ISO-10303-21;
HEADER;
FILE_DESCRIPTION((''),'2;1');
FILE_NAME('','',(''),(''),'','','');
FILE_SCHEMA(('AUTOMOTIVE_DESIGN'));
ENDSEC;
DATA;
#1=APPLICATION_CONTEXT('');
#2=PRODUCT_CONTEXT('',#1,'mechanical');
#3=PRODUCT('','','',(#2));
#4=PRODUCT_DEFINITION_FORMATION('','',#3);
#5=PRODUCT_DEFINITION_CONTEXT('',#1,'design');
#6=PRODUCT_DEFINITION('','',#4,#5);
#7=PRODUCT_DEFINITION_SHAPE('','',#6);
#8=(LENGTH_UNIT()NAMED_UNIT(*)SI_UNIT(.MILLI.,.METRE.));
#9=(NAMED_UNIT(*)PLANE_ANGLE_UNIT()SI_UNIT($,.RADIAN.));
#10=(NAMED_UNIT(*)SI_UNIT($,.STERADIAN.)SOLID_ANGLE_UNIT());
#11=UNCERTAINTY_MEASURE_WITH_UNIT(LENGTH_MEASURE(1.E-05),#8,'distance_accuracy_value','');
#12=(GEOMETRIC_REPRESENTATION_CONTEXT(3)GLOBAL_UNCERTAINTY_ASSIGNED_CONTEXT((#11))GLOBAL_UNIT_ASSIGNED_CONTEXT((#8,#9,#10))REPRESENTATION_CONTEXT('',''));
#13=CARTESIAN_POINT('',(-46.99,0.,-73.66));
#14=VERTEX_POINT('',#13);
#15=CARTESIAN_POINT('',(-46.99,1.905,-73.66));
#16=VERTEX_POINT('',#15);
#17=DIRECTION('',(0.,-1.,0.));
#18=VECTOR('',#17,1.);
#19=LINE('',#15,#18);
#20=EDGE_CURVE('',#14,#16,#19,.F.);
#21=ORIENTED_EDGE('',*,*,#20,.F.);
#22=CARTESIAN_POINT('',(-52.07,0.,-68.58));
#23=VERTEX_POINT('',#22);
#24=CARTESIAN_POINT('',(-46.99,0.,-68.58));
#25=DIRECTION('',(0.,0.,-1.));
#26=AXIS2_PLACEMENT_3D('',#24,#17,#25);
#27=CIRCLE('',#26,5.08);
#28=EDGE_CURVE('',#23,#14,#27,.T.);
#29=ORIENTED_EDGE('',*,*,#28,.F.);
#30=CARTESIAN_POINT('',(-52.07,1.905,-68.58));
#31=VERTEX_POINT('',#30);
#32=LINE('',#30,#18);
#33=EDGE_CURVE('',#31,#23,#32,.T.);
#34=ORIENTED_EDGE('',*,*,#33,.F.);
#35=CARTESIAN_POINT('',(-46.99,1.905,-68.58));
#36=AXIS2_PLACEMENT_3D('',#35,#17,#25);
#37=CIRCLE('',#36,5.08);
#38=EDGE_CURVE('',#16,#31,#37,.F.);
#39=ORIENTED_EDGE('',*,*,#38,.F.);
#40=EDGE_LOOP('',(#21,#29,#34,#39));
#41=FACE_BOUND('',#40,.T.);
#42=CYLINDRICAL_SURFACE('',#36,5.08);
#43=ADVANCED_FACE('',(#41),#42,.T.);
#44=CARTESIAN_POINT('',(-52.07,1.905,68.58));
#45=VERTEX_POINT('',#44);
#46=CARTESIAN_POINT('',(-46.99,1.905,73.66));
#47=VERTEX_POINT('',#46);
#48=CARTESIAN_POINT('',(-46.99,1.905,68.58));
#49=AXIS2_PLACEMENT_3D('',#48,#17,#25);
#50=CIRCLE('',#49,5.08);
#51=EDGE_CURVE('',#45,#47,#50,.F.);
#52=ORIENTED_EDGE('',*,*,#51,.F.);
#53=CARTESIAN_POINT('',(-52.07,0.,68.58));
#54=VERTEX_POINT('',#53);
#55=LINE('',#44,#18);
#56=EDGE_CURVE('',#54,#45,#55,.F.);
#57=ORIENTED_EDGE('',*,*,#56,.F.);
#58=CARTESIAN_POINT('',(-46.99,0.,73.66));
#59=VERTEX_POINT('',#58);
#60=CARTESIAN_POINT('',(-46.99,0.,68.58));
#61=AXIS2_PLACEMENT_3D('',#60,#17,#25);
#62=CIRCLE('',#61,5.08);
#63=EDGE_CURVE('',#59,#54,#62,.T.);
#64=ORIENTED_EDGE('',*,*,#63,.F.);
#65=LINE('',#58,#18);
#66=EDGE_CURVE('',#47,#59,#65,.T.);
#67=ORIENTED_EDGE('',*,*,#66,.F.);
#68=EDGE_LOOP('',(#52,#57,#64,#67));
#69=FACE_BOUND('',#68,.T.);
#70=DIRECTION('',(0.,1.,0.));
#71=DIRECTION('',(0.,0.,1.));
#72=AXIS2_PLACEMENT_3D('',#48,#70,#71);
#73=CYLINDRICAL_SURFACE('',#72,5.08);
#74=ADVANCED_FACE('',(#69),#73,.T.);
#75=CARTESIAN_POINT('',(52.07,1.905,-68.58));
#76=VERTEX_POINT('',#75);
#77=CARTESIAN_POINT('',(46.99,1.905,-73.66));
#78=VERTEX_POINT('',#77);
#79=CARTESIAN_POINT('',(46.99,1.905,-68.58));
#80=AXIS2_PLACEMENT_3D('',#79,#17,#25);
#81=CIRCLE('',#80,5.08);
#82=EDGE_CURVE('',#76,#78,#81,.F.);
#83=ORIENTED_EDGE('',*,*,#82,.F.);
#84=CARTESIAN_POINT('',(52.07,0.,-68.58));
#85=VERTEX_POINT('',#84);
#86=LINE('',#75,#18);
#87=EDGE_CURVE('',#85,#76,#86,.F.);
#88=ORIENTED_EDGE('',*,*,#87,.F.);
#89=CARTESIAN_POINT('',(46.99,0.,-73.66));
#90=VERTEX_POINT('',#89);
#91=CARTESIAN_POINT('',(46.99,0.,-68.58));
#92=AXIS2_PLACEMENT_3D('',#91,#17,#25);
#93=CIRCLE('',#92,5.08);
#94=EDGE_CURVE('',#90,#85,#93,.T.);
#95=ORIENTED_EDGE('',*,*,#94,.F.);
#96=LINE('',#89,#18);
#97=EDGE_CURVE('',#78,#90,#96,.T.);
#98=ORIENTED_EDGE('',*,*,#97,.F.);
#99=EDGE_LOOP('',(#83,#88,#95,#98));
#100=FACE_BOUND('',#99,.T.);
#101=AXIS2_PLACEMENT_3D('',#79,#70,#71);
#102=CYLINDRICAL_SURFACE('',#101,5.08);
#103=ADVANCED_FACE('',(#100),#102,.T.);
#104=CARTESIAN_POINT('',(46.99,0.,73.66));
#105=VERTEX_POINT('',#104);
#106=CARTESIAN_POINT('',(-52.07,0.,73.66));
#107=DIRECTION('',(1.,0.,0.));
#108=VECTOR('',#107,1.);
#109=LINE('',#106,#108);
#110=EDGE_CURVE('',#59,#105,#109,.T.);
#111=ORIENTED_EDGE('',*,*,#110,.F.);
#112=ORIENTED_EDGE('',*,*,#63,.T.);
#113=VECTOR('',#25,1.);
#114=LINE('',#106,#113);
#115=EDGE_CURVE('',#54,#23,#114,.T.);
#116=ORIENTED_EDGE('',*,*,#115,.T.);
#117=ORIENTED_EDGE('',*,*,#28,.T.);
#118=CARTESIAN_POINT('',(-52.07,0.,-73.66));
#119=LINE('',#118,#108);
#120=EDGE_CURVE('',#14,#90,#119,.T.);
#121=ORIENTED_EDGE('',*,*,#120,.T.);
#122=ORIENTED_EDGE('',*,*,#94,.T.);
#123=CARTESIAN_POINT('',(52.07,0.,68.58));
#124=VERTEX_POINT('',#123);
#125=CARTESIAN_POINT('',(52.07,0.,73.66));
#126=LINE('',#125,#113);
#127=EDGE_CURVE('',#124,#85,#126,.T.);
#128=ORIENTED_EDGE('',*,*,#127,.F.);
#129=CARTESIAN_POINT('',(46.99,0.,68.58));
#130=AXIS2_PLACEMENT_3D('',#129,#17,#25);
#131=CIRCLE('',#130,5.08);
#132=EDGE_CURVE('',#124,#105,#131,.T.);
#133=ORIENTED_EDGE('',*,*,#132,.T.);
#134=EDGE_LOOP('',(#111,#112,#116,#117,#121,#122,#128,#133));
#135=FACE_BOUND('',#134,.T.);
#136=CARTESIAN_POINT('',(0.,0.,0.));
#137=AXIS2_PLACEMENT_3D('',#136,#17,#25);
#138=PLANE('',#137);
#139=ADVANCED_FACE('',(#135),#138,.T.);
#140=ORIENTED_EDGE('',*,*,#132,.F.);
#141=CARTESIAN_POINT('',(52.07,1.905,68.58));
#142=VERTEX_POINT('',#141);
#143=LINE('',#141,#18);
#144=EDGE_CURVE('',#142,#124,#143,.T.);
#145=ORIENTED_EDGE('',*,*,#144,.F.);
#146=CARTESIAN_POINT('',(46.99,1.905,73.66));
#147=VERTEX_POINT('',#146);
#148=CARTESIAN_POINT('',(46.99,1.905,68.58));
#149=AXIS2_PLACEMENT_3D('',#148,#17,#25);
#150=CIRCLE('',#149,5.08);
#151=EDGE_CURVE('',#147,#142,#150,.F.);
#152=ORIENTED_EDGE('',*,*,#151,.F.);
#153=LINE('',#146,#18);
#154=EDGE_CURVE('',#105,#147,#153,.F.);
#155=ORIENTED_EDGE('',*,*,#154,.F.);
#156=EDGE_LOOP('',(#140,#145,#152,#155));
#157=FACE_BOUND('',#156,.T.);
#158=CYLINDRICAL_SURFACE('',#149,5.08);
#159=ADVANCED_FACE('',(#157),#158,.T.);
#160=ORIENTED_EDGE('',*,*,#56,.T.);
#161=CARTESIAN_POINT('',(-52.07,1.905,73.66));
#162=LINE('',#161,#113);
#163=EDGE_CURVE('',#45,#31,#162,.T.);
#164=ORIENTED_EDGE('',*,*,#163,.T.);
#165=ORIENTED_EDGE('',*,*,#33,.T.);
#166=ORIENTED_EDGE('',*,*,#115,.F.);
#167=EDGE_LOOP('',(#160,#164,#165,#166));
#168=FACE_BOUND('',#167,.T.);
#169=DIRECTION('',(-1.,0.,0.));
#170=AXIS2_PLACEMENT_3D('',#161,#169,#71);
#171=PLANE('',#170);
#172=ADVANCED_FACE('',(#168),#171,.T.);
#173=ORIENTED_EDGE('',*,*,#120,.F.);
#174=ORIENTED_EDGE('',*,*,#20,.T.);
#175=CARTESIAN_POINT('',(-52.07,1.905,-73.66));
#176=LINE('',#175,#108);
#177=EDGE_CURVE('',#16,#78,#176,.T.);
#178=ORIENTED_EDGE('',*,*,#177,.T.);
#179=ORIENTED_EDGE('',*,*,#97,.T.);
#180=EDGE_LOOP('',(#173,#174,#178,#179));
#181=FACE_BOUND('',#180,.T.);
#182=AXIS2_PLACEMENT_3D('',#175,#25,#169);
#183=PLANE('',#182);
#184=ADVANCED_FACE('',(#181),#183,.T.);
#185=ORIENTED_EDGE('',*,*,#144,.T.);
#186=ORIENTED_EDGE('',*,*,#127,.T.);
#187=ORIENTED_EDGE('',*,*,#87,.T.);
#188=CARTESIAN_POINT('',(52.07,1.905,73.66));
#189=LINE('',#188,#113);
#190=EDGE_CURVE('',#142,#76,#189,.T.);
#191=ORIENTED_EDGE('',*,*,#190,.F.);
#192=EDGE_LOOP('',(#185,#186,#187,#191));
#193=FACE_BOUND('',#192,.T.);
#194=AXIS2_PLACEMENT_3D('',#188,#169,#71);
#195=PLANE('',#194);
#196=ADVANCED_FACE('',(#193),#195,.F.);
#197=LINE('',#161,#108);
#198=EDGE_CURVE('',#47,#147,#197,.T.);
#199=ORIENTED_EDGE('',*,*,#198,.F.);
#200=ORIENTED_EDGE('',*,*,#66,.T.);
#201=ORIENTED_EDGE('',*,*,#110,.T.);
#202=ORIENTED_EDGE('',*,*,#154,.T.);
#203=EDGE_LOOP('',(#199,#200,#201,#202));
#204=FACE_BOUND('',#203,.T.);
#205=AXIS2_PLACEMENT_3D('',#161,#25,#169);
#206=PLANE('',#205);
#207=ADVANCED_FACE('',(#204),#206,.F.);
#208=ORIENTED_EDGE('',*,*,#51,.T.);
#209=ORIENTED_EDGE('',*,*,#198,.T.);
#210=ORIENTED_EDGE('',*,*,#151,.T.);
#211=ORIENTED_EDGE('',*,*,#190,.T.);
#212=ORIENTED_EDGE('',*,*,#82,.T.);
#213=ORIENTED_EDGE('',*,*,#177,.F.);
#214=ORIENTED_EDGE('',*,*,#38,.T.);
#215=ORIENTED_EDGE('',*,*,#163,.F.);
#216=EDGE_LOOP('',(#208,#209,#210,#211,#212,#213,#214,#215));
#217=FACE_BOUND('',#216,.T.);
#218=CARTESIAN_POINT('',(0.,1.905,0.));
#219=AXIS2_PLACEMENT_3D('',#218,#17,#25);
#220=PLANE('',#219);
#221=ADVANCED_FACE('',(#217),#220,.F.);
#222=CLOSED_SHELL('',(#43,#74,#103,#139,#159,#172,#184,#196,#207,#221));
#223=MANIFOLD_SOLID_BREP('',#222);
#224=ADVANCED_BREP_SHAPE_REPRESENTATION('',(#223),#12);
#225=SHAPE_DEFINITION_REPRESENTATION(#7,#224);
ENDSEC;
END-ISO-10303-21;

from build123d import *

# Parameters (mm, degrees)
SKETCH1_W           = 104.14
SKETCH1_H           = 147.32
BOSS_EXTRUDE1_DEPTH = 1.905
FILLET1_R           = 5.08


with BuildPart() as part:
    # Sketch1 → Boss-Extrude1 (new body)
    with BuildSketch(Plane(origin=(0, 0, 0), x_dir=(1, 0, 0), z_dir=(0, 1, 0))):
        Rectangle(SKETCH1_W, SKETCH1_H)
    extrude(amount=BOSS_EXTRUDE1_DEPTH)

    # Fillet1
    fillet1_edges = [part.edges().sort_by_distance(p)[0] for p in [
        (-52.07, 0.9525, 73.66),
        (52.07, 0.9525, 73.66),
        (52.07, 0.9525, -73.66),
        (-52.07, 0.9525, -73.66),
    ]]
    fillet(fillet1_edges, radius=FILLET1_R)


solid = part.part
